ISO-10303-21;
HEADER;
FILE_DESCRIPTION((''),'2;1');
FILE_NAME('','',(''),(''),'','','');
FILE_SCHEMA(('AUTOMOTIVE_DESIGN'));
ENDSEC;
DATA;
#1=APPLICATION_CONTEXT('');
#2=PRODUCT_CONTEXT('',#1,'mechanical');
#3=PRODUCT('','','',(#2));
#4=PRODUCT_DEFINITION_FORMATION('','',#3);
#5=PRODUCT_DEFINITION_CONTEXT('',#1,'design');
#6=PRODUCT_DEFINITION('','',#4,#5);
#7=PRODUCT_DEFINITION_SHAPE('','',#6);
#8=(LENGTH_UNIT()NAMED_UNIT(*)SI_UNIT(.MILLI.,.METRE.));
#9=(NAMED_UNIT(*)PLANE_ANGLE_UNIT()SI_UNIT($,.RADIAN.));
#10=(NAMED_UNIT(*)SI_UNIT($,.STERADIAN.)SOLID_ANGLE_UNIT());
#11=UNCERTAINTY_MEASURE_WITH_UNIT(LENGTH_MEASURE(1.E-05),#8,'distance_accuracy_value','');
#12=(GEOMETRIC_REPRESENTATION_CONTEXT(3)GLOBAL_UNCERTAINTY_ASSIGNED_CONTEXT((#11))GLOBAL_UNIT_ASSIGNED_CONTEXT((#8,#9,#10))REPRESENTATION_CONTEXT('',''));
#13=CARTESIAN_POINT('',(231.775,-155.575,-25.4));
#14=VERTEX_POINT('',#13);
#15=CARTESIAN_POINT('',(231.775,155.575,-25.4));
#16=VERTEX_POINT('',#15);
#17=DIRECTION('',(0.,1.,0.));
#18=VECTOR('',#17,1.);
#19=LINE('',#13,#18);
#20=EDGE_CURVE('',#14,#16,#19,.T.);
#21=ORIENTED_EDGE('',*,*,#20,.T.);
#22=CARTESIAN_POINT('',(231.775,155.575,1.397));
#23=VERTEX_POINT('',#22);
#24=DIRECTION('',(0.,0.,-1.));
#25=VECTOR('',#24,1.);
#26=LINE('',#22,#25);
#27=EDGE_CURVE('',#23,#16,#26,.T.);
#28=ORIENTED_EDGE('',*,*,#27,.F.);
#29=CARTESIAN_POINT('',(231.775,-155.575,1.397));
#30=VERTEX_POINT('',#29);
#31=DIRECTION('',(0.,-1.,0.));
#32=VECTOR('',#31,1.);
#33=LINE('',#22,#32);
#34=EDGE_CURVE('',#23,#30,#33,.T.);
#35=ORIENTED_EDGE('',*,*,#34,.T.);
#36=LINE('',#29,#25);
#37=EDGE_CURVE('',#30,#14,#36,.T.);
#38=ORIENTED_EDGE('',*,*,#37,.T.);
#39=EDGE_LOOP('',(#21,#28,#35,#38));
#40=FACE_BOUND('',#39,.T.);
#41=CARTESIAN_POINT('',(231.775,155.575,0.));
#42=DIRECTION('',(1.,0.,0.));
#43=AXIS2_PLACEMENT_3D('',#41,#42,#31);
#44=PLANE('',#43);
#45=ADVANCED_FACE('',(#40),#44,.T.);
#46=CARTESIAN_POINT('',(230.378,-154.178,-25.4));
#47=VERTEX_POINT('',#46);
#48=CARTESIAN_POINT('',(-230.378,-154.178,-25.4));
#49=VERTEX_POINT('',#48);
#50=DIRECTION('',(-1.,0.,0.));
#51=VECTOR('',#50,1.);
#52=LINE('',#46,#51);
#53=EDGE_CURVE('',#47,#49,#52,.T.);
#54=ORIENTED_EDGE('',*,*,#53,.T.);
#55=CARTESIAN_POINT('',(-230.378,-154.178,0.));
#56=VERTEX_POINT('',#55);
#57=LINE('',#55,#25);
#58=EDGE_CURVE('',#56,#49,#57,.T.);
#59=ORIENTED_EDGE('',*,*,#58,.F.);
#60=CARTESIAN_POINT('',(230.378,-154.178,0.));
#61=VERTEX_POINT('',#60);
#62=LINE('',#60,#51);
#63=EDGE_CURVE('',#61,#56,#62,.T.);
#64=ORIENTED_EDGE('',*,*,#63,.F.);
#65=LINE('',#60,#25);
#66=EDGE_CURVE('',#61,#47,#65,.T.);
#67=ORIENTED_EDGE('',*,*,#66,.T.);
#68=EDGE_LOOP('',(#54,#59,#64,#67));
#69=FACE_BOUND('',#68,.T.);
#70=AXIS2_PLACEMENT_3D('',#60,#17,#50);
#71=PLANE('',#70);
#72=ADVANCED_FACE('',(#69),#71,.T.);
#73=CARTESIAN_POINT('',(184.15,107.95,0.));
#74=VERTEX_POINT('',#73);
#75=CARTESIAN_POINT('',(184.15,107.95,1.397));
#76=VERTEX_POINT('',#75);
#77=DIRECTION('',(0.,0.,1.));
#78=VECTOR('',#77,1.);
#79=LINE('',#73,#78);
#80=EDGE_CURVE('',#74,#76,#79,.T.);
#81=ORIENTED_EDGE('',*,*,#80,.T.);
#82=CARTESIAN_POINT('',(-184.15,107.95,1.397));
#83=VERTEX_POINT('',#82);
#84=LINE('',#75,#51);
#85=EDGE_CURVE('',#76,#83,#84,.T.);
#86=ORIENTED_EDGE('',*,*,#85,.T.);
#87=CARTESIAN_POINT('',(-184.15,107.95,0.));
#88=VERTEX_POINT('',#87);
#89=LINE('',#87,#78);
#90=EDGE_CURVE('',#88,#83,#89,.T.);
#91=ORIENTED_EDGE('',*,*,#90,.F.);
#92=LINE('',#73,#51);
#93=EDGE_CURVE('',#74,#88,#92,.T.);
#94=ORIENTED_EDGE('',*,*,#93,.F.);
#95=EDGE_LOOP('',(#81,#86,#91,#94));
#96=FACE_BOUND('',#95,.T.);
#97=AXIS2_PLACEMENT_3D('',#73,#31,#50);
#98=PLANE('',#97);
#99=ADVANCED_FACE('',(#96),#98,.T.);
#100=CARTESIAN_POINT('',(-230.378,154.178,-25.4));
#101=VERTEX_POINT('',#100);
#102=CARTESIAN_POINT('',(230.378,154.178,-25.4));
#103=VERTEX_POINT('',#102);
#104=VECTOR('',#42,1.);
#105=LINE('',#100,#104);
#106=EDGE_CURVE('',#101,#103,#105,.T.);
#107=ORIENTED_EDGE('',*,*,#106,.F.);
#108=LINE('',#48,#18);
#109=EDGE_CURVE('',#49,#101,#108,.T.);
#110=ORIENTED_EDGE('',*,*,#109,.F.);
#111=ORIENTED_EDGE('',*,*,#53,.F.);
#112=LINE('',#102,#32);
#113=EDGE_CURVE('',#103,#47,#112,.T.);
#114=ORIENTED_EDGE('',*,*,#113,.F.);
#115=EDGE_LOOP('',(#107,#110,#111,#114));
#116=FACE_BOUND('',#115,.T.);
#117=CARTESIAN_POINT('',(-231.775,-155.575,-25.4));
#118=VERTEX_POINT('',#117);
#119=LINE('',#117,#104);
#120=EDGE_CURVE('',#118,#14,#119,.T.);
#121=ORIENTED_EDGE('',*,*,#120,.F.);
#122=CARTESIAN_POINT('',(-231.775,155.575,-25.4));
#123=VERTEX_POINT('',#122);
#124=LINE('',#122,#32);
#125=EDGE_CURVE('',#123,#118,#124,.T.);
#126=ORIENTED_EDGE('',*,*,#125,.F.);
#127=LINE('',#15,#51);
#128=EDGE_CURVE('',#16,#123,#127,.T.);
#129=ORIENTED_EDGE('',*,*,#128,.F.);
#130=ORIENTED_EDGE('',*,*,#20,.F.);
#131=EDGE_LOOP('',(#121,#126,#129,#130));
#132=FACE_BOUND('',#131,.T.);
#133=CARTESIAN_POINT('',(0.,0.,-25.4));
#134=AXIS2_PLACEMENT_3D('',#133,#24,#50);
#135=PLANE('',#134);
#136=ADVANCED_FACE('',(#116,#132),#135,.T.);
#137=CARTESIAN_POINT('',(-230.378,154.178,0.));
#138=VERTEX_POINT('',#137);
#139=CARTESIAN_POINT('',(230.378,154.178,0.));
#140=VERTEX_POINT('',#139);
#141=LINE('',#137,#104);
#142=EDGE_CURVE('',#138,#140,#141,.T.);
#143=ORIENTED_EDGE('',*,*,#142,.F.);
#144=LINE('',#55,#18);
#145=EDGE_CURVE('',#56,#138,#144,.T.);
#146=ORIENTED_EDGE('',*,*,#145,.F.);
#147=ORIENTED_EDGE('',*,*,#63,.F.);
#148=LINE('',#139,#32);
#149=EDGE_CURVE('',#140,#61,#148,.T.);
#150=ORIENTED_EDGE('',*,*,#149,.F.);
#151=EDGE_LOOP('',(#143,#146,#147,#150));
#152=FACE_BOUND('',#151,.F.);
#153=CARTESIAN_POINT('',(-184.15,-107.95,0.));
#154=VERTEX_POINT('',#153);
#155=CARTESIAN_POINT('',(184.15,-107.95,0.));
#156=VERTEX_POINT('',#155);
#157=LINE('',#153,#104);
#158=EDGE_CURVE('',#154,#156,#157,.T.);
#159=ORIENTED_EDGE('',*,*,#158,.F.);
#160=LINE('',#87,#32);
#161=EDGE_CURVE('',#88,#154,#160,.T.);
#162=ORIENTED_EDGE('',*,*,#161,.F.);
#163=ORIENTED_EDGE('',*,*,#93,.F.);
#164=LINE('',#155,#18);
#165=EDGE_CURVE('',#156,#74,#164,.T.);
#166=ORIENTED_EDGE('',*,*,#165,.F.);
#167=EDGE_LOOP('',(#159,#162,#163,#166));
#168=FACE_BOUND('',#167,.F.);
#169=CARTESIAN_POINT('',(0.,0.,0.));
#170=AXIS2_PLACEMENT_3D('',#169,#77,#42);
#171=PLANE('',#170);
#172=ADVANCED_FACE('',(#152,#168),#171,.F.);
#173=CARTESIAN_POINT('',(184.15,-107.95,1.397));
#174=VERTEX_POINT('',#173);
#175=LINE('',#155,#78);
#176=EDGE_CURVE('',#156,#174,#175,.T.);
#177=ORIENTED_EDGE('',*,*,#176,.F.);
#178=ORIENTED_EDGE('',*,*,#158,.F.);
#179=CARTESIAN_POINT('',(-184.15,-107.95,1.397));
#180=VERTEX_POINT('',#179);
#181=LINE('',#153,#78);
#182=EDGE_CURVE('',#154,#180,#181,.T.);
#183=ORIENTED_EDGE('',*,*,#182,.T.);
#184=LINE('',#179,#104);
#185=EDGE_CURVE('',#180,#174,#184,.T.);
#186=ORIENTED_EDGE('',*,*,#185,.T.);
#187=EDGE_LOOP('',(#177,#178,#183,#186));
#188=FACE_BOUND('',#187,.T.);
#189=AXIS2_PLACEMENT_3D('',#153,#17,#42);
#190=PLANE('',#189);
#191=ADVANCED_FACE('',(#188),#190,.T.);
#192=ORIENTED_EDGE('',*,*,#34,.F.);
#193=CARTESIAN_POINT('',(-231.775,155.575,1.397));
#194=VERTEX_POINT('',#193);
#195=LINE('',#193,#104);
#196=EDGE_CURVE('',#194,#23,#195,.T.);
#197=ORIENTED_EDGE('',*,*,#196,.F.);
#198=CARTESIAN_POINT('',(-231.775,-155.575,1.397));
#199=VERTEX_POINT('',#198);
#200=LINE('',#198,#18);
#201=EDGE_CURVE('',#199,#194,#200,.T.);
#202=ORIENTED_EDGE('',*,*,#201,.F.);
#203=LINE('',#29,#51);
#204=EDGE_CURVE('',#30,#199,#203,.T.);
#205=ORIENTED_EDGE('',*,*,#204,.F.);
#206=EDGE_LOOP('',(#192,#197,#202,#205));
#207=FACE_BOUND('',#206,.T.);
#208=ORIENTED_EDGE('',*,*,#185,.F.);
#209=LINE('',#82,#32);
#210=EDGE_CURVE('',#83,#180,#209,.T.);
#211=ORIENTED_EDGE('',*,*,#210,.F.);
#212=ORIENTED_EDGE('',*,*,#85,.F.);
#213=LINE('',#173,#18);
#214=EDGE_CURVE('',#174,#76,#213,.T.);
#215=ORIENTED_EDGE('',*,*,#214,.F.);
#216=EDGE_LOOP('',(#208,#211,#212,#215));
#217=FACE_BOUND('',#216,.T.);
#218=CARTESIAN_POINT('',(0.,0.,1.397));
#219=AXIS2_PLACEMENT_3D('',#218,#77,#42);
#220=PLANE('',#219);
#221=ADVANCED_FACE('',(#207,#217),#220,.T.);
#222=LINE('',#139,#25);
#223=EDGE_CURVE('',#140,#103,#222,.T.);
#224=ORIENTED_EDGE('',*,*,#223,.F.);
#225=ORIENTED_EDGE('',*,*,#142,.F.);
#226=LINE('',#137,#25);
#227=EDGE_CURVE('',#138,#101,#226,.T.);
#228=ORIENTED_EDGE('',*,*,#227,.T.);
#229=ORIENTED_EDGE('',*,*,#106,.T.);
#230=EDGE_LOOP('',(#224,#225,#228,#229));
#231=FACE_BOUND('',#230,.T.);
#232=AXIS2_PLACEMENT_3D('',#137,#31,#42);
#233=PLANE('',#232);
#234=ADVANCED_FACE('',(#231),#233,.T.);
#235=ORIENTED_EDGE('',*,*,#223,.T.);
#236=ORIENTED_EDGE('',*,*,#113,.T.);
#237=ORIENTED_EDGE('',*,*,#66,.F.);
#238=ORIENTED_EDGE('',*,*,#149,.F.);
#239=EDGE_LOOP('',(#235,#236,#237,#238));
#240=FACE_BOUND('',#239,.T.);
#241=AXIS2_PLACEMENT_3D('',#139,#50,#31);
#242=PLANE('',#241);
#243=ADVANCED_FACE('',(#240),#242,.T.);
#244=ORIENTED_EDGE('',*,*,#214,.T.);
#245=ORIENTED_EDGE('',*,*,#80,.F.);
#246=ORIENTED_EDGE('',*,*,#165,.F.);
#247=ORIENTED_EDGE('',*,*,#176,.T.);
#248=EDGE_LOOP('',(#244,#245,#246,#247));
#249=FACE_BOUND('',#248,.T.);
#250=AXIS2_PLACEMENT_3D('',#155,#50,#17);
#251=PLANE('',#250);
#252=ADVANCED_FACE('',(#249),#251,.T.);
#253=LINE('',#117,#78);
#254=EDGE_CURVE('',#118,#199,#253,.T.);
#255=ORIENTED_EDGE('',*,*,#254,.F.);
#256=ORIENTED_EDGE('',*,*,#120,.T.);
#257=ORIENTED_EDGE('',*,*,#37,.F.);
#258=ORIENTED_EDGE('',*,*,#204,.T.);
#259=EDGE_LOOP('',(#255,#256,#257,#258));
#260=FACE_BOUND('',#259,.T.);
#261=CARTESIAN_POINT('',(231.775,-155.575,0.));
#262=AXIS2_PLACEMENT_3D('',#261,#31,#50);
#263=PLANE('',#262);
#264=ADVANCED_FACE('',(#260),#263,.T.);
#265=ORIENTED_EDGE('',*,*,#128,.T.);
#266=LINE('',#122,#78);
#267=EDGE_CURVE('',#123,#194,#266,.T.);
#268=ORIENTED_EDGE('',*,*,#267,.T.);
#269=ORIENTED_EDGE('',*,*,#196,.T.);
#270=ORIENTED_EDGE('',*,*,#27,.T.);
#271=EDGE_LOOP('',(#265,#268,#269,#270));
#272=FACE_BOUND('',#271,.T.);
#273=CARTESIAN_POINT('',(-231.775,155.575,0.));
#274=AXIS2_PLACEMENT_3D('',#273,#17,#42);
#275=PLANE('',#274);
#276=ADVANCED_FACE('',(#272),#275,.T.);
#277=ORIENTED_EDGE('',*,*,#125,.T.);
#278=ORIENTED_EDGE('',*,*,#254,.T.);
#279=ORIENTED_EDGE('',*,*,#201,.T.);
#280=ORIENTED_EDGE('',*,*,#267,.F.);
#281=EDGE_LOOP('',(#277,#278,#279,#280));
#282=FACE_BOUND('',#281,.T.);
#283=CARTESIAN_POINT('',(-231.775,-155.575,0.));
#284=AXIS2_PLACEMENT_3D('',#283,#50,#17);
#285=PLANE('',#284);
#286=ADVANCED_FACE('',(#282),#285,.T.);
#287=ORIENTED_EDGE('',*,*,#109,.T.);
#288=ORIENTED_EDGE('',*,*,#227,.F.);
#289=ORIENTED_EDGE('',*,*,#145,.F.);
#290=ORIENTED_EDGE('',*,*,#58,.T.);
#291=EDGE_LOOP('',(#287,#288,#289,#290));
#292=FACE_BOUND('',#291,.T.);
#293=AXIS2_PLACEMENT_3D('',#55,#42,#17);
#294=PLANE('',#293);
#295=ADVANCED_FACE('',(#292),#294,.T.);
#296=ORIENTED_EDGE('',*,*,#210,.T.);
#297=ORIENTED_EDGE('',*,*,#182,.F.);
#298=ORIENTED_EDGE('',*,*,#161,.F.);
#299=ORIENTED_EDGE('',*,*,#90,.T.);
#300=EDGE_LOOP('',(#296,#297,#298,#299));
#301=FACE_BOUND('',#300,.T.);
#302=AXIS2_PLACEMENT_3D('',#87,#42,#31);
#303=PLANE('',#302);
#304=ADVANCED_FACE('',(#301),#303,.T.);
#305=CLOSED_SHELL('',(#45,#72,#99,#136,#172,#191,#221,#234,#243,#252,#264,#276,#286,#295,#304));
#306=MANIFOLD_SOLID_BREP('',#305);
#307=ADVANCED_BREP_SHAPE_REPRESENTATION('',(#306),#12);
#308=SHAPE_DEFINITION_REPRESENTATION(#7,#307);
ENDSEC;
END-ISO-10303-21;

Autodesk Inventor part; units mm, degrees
ref_plane "YZ Plane" through (0, 0, 0) normal (1, 0, 0) x (0, 1, 0)
ref_plane "XZ Plane" through (0, 0, 0) normal (0, 1, 0) x (-1, 0, 0)
ref_plane "XY Plane" through (0, 0, 0) normal (0, 0, 1) x (1, 0, 0)
sketch "Sketch1" plane through (0, 0, 0) normal (0, 0, 1) x (1, 0, 0)
  line L0 (-231.775, 155.575) -> (231.775, 155.575)
  line L1 (231.775, 155.575) -> (231.775, -155.575)
  line L2 (231.775, -155.575) -> (-231.775, -155.575)
  line L3 (-231.775, -155.575) -> (-231.775, 155.575)
  line L4 (-231.775, 155.575) -> (231.775, -155.575) construction
  line L5 (231.775, 155.575) -> (-231.775, -155.575) construction
  line L6 (184.15, -107.95) -> (184.15, 107.95)
  line L7 (184.15, 107.95) -> (-184.15, 107.95)
  line L8 (-184.15, 107.95) -> (-184.15, -107.95)
  line L9 (-184.15, -107.95) -> (184.15, -107.95)
  point P0 (0, 0)
  dimension "d0" = 463.55
  dimension "d1" = 311.15
  dimension "d2" = 47.625
extrude "Extrusion1" add sketch "Sketch1" along normal blind 1.397
sketch "Sketch2" plane through (0, 0, 0) normal (0, 0, -1) x (-1, 0, 0)
  line L0 (-231.775, -155.575) -> (-231.775, 155.575) projected
  line L1 (231.775, -155.575) -> (-231.775, -155.575)
  line L2 (-231.775, -155.575) -> (-231.775, 155.575)
  line L3 (-231.775, 155.575) -> (231.775, 155.575)
  line L4 (231.775, 155.575) -> (231.775, -155.575)
  line L5 (231.775, -155.575) -> (-231.775, 155.575) construction
  line L6 (-231.775, -155.575) -> (231.775, 155.575) construction
  line L7 (230.378, 154.178) -> (-230.378, 154.178)
  line L8 (-230.378, 154.178) -> (-230.378, -154.178)
  line L9 (-230.378, -154.178) -> (230.378, -154.178)
  line L10 (230.378, -154.178) -> (230.378, 154.178)
  point P0 (0, 0)
  dimension "d5" = 1.397
extrude "Extrusion2" add sketch "Sketch2" along normal blind 25.4
properties part number "Top Frame Piece" material "Steel, Mild"
